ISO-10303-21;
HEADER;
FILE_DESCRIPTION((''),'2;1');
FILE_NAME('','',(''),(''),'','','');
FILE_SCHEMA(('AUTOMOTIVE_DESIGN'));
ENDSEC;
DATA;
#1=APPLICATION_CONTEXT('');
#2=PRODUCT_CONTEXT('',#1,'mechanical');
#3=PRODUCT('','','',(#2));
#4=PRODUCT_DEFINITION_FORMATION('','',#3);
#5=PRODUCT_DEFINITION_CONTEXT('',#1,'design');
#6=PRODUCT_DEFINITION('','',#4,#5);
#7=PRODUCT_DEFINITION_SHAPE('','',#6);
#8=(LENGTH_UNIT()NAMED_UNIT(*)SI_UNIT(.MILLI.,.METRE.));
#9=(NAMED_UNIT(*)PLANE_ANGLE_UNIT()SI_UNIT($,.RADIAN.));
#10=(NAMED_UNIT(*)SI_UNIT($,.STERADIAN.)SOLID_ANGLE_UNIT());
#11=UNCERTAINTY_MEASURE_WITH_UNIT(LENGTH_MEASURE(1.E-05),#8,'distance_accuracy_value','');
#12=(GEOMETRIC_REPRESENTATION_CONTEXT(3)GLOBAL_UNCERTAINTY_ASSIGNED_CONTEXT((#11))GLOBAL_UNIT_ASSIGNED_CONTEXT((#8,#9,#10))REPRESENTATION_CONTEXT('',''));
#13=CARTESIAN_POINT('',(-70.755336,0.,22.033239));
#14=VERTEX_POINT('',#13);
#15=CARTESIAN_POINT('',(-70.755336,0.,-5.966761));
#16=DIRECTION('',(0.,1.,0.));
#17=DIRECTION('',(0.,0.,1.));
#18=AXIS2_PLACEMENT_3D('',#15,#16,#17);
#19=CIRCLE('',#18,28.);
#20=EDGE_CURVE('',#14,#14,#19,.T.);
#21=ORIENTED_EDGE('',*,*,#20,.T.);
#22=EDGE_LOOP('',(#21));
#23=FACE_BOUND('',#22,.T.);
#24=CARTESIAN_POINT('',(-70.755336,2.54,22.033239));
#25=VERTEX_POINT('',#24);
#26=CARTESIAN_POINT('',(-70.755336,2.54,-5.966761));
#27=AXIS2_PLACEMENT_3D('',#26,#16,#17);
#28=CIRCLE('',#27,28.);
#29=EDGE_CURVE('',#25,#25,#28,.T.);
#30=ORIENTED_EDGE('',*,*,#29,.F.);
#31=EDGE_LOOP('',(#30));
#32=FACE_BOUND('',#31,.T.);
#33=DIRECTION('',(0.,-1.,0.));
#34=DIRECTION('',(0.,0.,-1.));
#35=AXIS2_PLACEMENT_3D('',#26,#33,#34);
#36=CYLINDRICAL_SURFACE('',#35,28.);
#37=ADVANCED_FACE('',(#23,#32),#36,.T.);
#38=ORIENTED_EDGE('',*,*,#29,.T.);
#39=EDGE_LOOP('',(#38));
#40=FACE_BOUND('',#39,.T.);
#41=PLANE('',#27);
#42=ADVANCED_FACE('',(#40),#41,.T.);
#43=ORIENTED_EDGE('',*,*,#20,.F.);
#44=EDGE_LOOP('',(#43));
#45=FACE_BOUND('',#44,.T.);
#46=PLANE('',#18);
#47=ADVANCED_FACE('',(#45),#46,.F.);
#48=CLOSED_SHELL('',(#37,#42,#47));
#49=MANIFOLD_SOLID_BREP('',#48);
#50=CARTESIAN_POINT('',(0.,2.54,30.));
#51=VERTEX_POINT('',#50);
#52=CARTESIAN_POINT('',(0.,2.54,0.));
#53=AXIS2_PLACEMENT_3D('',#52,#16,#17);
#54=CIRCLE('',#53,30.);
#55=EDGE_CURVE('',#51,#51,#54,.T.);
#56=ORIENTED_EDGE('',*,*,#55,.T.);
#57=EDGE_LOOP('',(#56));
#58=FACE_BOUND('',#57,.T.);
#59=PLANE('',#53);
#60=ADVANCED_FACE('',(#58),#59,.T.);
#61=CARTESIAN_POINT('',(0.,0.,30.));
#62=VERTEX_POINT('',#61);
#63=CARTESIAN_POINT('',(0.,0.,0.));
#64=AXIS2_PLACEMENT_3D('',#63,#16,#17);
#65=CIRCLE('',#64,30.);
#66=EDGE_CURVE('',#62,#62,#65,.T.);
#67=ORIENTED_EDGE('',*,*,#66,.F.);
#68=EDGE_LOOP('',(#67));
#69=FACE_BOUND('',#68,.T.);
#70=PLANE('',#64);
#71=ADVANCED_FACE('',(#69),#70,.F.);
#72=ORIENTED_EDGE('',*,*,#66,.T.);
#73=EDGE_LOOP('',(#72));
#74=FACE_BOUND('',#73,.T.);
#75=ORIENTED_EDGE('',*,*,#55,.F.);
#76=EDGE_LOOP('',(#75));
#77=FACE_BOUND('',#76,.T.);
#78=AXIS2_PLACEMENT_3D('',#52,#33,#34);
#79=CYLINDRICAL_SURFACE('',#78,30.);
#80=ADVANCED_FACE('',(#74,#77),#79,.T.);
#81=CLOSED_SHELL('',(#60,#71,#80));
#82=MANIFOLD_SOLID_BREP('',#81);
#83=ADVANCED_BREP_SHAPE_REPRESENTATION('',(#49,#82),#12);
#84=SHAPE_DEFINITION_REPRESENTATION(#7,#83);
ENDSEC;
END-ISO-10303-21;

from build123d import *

# Parameters (mm, degrees)
SKETCH1_R             = 30
BOSS_EXTRUDE1_DEPTH   = 2.54
SKETCH1_R_2           = 28
BOSS_EXTRUDE1_2_DEPTH = 2.54


with BuildPart() as part:
    # Sketch1 → Boss-Extrude1 (new body)
    with BuildSketch(Plane(origin=(0, 0, 0), x_dir=(1, 0, 0), z_dir=(0, 1, 0))):
        Circle(SKETCH1_R)
    extrude(amount=BOSS_EXTRUDE1_DEPTH)


with BuildPart() as body_2:
    # Sketch1 → Boss-Extrude1 2 (new body)
    with BuildSketch(Plane(origin=(0, 0, 0), x_dir=(1, 0, 0), z_dir=(0, 1, 0))):
        with Locations((-70.755335685, 5.96676125)):
            Circle(SKETCH1_R_2)
    extrude(amount=BOSS_EXTRUDE1_2_DEPTH)


solid = Compound([part.part, body_2.part])
